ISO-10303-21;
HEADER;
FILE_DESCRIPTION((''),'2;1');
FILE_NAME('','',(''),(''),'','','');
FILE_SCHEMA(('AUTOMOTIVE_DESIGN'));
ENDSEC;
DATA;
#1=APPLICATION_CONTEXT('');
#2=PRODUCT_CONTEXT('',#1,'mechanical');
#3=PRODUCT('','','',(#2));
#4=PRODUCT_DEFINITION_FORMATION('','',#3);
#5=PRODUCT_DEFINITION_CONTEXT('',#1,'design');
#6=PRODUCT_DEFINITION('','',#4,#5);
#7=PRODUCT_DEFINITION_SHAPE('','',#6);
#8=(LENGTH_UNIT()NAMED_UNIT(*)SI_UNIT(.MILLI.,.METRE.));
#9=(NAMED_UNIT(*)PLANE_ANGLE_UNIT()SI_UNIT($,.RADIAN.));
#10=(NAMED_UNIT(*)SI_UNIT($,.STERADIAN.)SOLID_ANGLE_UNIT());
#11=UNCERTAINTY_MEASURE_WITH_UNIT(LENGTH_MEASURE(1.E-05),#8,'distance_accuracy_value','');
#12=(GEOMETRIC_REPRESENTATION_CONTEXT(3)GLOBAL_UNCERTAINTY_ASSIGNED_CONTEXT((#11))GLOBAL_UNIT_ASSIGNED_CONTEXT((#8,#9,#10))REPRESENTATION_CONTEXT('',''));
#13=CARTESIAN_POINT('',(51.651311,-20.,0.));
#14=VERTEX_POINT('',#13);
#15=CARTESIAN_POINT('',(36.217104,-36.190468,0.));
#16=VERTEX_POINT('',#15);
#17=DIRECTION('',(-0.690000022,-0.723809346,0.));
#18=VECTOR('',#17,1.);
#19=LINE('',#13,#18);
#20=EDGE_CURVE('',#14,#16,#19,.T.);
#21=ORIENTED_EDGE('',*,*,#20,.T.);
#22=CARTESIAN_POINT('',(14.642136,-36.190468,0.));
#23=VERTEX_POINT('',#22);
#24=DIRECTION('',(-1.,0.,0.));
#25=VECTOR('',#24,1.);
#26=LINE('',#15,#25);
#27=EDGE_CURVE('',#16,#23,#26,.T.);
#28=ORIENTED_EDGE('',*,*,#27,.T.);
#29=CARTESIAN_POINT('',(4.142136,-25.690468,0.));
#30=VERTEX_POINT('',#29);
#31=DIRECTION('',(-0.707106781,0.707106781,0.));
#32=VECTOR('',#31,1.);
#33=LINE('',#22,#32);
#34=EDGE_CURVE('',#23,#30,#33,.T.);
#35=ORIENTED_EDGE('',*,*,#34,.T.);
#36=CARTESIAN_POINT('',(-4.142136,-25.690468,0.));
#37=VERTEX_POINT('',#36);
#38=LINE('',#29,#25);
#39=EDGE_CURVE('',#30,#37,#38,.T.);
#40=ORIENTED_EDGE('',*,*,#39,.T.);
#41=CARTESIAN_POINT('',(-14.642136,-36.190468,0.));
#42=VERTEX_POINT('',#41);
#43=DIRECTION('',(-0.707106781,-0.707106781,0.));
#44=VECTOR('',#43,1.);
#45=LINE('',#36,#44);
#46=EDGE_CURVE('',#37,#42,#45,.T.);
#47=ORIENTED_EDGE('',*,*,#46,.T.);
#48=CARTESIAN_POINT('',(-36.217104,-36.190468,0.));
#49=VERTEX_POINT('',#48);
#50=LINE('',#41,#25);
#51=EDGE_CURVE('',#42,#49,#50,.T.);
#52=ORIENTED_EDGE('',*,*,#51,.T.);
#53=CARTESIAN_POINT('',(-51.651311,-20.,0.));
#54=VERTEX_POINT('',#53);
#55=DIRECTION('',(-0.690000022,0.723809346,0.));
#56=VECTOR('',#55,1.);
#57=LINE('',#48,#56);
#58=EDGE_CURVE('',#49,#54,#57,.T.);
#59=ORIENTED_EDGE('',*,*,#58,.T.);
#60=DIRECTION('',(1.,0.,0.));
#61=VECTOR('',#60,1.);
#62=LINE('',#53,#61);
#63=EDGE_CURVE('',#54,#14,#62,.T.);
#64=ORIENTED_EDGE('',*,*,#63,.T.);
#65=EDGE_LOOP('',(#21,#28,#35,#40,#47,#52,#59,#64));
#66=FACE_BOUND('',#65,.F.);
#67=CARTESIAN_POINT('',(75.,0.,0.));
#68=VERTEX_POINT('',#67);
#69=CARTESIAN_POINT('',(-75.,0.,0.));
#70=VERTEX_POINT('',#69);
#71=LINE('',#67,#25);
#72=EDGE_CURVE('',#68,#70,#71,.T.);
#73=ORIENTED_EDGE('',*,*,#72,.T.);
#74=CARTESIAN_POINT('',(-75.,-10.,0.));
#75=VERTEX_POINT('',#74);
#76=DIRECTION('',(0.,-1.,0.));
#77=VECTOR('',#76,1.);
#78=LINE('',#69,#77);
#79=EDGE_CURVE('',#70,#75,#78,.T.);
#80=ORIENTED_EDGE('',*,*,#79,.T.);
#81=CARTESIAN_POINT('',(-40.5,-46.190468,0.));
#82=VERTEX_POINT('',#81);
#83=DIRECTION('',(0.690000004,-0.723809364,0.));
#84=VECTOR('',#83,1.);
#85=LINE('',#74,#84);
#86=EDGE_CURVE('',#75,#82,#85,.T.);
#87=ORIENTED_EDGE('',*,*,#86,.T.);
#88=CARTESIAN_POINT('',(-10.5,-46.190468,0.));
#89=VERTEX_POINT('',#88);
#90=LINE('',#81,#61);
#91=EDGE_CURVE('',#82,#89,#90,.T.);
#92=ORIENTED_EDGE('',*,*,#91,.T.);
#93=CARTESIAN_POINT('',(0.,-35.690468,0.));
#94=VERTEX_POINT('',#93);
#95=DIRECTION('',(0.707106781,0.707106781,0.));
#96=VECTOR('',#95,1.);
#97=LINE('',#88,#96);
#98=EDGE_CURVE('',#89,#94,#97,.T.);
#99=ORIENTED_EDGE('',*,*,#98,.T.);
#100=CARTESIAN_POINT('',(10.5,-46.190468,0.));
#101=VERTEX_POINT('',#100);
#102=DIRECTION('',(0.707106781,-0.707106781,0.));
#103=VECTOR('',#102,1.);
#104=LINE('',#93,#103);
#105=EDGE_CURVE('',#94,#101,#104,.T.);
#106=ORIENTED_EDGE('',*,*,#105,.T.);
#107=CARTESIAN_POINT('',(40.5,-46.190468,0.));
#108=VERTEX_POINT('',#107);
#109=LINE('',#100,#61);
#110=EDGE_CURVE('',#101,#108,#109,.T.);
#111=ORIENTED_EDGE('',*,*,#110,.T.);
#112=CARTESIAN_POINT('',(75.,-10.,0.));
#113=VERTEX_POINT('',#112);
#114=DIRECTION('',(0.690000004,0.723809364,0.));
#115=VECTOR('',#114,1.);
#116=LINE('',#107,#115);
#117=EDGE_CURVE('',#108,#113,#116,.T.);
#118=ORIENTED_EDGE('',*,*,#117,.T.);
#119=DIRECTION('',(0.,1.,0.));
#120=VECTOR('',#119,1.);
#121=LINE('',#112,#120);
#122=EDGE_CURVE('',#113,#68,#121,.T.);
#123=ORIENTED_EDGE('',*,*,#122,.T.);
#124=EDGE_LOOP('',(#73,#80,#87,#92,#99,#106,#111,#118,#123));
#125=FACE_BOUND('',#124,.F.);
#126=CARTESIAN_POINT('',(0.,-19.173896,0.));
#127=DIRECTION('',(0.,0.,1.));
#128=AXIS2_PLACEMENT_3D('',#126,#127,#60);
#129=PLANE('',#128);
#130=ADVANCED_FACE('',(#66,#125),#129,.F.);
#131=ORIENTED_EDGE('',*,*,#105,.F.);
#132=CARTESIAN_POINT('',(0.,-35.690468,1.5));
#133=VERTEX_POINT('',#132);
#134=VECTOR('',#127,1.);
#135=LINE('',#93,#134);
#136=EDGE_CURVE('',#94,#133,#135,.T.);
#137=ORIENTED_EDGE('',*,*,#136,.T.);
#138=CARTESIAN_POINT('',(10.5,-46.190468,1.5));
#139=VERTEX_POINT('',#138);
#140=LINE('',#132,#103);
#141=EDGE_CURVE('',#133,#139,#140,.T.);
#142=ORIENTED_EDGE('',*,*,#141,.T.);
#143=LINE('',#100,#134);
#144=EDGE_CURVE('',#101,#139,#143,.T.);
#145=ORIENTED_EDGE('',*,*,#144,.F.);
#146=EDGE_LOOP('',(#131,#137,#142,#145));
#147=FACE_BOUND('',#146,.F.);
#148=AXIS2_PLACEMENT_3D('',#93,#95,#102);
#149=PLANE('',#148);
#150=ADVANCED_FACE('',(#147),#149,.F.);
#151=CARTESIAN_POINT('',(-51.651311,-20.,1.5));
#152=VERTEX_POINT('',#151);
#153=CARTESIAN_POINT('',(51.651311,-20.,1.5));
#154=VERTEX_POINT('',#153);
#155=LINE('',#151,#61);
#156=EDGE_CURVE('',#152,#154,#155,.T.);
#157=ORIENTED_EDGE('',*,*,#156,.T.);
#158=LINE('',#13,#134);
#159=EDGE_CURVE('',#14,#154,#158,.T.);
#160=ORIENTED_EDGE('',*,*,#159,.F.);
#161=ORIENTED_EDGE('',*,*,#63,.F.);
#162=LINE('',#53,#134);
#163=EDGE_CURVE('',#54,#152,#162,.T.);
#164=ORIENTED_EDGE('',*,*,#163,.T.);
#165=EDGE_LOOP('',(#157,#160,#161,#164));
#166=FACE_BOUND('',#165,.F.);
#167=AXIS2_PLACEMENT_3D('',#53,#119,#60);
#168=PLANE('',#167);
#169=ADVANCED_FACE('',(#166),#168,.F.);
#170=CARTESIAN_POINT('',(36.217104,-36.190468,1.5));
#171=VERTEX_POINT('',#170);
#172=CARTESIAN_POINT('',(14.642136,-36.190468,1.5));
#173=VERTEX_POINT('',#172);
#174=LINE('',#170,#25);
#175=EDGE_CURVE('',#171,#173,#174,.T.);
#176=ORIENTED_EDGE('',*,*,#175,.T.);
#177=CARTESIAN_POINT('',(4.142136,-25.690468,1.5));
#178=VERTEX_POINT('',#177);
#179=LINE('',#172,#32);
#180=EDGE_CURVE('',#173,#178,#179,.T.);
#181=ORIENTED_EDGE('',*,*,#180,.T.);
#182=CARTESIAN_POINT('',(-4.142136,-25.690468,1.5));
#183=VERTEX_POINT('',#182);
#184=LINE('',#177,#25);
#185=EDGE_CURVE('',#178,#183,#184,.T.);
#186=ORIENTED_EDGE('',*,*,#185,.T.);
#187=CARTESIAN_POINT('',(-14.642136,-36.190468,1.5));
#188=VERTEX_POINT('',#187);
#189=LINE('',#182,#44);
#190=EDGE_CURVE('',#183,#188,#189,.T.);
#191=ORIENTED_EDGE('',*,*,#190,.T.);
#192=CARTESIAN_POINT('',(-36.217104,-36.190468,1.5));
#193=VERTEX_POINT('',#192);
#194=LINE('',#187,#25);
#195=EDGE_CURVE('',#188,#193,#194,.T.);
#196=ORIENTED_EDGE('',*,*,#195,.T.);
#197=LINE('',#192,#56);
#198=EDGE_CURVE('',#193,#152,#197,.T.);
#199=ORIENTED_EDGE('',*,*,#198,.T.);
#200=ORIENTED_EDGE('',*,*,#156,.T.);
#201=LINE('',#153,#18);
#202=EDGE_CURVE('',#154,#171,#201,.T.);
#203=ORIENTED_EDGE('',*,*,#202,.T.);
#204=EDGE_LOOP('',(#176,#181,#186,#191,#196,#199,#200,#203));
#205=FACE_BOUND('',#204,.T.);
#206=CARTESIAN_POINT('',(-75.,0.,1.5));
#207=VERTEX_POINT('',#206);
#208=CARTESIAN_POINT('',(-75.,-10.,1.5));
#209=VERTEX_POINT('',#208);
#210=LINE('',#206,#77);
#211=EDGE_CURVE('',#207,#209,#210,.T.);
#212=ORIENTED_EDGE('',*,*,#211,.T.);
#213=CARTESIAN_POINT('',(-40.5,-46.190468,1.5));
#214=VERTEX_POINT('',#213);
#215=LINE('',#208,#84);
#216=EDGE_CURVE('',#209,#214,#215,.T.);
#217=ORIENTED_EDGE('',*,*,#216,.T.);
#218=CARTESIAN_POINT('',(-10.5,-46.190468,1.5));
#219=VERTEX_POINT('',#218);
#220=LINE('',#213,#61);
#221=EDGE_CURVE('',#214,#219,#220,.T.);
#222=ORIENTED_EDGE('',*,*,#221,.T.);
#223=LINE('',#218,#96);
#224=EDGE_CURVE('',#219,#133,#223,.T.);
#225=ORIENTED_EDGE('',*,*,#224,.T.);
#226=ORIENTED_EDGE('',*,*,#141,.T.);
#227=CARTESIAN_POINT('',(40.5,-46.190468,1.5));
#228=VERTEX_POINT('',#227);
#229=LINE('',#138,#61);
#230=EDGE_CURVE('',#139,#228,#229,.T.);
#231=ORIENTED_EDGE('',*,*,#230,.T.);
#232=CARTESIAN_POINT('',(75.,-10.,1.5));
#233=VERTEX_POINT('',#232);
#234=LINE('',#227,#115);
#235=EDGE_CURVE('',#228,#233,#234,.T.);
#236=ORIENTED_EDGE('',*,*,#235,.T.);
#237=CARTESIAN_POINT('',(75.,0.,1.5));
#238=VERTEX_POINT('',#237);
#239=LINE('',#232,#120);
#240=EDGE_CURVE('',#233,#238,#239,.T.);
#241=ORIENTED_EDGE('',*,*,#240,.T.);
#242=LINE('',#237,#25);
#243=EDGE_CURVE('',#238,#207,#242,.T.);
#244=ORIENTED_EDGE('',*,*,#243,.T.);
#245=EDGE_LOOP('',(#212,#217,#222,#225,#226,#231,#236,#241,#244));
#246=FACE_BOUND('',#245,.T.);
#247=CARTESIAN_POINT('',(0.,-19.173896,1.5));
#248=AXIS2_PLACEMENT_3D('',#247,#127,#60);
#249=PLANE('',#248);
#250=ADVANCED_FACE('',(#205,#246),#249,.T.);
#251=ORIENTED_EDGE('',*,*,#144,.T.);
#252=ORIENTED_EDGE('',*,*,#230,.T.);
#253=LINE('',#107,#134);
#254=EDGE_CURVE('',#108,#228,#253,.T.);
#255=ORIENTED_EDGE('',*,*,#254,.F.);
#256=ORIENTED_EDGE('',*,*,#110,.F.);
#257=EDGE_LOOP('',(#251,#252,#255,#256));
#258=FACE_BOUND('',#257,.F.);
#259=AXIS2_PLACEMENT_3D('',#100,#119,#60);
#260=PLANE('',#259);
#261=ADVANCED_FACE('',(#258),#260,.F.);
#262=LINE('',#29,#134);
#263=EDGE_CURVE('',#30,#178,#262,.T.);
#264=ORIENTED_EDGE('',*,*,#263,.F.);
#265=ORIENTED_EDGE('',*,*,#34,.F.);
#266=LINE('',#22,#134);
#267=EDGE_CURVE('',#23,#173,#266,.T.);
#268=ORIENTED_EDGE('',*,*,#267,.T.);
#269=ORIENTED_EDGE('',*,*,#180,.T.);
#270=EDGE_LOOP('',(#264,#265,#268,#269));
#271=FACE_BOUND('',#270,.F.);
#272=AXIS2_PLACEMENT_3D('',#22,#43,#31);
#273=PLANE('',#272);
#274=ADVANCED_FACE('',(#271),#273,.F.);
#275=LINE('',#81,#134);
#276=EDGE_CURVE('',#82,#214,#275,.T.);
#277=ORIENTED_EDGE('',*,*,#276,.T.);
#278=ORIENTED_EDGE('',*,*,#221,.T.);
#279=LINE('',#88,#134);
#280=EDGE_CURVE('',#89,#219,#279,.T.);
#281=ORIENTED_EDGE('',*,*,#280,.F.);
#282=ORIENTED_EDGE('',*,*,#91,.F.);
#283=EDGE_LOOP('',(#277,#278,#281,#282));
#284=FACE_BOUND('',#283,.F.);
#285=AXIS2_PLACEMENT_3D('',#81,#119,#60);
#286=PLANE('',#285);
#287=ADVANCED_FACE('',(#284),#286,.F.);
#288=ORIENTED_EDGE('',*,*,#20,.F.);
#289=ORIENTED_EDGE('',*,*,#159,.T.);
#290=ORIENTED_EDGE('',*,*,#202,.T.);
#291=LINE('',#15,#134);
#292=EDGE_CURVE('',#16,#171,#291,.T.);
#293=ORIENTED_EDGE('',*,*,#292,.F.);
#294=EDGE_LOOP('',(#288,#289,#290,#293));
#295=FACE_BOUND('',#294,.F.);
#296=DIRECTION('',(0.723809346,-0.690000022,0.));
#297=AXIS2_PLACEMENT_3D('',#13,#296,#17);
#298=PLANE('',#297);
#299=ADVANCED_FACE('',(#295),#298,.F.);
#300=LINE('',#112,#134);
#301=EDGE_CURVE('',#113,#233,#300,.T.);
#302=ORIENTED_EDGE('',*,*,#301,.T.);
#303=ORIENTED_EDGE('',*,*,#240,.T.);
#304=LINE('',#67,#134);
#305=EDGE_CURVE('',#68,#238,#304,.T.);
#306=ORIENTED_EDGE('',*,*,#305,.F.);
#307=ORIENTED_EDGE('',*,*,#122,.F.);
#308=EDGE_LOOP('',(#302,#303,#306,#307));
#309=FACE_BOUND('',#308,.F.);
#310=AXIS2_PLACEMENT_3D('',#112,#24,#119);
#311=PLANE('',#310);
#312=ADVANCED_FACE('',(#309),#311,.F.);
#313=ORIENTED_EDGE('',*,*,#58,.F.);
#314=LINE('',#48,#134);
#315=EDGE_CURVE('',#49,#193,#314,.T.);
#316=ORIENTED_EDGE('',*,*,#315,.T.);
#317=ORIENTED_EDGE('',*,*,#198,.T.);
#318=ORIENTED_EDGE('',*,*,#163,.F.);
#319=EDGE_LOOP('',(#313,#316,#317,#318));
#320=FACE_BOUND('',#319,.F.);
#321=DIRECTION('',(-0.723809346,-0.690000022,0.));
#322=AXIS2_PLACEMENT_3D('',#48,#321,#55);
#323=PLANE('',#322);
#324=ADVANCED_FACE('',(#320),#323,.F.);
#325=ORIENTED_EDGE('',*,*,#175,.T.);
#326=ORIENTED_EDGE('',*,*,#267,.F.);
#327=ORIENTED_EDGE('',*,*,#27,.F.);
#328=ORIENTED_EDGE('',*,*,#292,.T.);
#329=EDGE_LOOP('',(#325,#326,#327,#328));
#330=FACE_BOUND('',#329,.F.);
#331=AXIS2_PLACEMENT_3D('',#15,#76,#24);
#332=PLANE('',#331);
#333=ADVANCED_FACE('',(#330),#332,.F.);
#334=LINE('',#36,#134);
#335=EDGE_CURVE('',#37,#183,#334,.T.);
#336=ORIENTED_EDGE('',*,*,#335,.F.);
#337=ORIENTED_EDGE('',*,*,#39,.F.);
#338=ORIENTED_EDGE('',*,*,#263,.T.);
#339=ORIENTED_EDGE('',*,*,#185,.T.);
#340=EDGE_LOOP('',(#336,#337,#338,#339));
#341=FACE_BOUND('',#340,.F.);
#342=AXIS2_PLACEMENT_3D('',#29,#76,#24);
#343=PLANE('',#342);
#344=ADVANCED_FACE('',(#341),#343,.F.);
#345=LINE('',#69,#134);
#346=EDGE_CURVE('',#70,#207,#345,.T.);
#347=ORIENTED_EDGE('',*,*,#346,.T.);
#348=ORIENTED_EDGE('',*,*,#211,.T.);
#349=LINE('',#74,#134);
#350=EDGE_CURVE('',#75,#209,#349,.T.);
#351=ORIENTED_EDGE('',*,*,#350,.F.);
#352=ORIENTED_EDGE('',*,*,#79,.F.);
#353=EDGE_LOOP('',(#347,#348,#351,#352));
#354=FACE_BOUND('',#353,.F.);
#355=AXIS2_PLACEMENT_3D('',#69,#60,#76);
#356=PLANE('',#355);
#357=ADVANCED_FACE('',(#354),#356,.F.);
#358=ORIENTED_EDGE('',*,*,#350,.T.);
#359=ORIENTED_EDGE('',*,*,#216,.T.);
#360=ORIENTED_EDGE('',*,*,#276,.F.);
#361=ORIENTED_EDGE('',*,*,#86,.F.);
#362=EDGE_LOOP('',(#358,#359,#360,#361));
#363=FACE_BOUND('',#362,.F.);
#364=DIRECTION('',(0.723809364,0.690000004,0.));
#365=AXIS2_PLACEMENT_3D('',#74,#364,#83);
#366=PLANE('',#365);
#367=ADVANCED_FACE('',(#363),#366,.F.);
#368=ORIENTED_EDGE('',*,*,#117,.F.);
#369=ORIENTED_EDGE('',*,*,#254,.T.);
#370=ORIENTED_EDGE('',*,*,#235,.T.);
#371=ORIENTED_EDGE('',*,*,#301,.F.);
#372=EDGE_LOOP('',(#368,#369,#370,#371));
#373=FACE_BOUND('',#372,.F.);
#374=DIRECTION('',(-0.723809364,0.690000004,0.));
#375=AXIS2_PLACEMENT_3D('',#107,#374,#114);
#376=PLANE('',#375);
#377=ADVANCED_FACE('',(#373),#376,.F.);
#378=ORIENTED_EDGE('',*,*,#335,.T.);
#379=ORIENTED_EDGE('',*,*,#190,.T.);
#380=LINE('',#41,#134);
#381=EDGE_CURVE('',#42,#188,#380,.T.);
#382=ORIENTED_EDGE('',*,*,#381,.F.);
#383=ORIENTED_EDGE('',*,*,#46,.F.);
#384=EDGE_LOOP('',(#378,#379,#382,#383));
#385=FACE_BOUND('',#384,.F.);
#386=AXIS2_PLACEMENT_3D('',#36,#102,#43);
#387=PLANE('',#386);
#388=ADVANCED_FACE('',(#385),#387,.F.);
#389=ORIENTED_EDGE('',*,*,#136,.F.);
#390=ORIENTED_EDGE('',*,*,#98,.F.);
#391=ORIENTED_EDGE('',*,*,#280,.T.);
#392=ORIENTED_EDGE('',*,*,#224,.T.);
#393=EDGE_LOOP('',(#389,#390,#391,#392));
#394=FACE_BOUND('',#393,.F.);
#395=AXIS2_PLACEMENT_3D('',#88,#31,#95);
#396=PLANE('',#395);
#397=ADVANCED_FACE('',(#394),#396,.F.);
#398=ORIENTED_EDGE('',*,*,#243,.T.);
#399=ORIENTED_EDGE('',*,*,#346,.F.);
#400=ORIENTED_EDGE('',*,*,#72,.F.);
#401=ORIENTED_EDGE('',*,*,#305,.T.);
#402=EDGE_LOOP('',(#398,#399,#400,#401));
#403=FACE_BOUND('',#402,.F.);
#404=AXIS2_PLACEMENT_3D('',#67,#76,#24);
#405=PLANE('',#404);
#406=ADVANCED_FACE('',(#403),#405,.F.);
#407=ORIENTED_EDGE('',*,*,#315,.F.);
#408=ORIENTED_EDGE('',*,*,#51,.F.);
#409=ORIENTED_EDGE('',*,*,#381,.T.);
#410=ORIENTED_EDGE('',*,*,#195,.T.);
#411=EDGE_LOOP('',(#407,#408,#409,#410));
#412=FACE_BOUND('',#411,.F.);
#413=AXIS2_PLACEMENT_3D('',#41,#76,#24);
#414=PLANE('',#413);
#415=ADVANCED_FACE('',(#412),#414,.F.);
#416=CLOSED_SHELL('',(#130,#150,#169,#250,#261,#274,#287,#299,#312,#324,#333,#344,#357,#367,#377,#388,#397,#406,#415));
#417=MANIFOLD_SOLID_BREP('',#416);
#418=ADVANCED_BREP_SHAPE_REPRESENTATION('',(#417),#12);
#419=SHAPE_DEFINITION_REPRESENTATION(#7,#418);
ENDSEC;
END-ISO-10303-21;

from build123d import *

# Parameters (mm, degrees)
F1_DEPTH = 1.5


with BuildPart() as f1:
    # F0 (on Top) → F1 (new body)
    with BuildSketch(Plane.XY):
        Polygon((75, 0), (-75, 0), (-75, -10), (-40.5, -46.190468), (-10.5, -46.190468), (0, -35.690468), (10.5, -46.190468), (40.5, -46.190468), (75, -10), align=None)
        Polygon((-14.642136, -36.190468), (-36.217104, -36.190468), (-51.651311, -20), (51.651311, -20), (36.217104, -36.190468), (14.642136, -36.190468), (4.142136, -25.690468), (-4.142136, -25.690468), align=None, mode=Mode.SUBTRACT)
    extrude(amount=F1_DEPTH)


solid = f1.part
